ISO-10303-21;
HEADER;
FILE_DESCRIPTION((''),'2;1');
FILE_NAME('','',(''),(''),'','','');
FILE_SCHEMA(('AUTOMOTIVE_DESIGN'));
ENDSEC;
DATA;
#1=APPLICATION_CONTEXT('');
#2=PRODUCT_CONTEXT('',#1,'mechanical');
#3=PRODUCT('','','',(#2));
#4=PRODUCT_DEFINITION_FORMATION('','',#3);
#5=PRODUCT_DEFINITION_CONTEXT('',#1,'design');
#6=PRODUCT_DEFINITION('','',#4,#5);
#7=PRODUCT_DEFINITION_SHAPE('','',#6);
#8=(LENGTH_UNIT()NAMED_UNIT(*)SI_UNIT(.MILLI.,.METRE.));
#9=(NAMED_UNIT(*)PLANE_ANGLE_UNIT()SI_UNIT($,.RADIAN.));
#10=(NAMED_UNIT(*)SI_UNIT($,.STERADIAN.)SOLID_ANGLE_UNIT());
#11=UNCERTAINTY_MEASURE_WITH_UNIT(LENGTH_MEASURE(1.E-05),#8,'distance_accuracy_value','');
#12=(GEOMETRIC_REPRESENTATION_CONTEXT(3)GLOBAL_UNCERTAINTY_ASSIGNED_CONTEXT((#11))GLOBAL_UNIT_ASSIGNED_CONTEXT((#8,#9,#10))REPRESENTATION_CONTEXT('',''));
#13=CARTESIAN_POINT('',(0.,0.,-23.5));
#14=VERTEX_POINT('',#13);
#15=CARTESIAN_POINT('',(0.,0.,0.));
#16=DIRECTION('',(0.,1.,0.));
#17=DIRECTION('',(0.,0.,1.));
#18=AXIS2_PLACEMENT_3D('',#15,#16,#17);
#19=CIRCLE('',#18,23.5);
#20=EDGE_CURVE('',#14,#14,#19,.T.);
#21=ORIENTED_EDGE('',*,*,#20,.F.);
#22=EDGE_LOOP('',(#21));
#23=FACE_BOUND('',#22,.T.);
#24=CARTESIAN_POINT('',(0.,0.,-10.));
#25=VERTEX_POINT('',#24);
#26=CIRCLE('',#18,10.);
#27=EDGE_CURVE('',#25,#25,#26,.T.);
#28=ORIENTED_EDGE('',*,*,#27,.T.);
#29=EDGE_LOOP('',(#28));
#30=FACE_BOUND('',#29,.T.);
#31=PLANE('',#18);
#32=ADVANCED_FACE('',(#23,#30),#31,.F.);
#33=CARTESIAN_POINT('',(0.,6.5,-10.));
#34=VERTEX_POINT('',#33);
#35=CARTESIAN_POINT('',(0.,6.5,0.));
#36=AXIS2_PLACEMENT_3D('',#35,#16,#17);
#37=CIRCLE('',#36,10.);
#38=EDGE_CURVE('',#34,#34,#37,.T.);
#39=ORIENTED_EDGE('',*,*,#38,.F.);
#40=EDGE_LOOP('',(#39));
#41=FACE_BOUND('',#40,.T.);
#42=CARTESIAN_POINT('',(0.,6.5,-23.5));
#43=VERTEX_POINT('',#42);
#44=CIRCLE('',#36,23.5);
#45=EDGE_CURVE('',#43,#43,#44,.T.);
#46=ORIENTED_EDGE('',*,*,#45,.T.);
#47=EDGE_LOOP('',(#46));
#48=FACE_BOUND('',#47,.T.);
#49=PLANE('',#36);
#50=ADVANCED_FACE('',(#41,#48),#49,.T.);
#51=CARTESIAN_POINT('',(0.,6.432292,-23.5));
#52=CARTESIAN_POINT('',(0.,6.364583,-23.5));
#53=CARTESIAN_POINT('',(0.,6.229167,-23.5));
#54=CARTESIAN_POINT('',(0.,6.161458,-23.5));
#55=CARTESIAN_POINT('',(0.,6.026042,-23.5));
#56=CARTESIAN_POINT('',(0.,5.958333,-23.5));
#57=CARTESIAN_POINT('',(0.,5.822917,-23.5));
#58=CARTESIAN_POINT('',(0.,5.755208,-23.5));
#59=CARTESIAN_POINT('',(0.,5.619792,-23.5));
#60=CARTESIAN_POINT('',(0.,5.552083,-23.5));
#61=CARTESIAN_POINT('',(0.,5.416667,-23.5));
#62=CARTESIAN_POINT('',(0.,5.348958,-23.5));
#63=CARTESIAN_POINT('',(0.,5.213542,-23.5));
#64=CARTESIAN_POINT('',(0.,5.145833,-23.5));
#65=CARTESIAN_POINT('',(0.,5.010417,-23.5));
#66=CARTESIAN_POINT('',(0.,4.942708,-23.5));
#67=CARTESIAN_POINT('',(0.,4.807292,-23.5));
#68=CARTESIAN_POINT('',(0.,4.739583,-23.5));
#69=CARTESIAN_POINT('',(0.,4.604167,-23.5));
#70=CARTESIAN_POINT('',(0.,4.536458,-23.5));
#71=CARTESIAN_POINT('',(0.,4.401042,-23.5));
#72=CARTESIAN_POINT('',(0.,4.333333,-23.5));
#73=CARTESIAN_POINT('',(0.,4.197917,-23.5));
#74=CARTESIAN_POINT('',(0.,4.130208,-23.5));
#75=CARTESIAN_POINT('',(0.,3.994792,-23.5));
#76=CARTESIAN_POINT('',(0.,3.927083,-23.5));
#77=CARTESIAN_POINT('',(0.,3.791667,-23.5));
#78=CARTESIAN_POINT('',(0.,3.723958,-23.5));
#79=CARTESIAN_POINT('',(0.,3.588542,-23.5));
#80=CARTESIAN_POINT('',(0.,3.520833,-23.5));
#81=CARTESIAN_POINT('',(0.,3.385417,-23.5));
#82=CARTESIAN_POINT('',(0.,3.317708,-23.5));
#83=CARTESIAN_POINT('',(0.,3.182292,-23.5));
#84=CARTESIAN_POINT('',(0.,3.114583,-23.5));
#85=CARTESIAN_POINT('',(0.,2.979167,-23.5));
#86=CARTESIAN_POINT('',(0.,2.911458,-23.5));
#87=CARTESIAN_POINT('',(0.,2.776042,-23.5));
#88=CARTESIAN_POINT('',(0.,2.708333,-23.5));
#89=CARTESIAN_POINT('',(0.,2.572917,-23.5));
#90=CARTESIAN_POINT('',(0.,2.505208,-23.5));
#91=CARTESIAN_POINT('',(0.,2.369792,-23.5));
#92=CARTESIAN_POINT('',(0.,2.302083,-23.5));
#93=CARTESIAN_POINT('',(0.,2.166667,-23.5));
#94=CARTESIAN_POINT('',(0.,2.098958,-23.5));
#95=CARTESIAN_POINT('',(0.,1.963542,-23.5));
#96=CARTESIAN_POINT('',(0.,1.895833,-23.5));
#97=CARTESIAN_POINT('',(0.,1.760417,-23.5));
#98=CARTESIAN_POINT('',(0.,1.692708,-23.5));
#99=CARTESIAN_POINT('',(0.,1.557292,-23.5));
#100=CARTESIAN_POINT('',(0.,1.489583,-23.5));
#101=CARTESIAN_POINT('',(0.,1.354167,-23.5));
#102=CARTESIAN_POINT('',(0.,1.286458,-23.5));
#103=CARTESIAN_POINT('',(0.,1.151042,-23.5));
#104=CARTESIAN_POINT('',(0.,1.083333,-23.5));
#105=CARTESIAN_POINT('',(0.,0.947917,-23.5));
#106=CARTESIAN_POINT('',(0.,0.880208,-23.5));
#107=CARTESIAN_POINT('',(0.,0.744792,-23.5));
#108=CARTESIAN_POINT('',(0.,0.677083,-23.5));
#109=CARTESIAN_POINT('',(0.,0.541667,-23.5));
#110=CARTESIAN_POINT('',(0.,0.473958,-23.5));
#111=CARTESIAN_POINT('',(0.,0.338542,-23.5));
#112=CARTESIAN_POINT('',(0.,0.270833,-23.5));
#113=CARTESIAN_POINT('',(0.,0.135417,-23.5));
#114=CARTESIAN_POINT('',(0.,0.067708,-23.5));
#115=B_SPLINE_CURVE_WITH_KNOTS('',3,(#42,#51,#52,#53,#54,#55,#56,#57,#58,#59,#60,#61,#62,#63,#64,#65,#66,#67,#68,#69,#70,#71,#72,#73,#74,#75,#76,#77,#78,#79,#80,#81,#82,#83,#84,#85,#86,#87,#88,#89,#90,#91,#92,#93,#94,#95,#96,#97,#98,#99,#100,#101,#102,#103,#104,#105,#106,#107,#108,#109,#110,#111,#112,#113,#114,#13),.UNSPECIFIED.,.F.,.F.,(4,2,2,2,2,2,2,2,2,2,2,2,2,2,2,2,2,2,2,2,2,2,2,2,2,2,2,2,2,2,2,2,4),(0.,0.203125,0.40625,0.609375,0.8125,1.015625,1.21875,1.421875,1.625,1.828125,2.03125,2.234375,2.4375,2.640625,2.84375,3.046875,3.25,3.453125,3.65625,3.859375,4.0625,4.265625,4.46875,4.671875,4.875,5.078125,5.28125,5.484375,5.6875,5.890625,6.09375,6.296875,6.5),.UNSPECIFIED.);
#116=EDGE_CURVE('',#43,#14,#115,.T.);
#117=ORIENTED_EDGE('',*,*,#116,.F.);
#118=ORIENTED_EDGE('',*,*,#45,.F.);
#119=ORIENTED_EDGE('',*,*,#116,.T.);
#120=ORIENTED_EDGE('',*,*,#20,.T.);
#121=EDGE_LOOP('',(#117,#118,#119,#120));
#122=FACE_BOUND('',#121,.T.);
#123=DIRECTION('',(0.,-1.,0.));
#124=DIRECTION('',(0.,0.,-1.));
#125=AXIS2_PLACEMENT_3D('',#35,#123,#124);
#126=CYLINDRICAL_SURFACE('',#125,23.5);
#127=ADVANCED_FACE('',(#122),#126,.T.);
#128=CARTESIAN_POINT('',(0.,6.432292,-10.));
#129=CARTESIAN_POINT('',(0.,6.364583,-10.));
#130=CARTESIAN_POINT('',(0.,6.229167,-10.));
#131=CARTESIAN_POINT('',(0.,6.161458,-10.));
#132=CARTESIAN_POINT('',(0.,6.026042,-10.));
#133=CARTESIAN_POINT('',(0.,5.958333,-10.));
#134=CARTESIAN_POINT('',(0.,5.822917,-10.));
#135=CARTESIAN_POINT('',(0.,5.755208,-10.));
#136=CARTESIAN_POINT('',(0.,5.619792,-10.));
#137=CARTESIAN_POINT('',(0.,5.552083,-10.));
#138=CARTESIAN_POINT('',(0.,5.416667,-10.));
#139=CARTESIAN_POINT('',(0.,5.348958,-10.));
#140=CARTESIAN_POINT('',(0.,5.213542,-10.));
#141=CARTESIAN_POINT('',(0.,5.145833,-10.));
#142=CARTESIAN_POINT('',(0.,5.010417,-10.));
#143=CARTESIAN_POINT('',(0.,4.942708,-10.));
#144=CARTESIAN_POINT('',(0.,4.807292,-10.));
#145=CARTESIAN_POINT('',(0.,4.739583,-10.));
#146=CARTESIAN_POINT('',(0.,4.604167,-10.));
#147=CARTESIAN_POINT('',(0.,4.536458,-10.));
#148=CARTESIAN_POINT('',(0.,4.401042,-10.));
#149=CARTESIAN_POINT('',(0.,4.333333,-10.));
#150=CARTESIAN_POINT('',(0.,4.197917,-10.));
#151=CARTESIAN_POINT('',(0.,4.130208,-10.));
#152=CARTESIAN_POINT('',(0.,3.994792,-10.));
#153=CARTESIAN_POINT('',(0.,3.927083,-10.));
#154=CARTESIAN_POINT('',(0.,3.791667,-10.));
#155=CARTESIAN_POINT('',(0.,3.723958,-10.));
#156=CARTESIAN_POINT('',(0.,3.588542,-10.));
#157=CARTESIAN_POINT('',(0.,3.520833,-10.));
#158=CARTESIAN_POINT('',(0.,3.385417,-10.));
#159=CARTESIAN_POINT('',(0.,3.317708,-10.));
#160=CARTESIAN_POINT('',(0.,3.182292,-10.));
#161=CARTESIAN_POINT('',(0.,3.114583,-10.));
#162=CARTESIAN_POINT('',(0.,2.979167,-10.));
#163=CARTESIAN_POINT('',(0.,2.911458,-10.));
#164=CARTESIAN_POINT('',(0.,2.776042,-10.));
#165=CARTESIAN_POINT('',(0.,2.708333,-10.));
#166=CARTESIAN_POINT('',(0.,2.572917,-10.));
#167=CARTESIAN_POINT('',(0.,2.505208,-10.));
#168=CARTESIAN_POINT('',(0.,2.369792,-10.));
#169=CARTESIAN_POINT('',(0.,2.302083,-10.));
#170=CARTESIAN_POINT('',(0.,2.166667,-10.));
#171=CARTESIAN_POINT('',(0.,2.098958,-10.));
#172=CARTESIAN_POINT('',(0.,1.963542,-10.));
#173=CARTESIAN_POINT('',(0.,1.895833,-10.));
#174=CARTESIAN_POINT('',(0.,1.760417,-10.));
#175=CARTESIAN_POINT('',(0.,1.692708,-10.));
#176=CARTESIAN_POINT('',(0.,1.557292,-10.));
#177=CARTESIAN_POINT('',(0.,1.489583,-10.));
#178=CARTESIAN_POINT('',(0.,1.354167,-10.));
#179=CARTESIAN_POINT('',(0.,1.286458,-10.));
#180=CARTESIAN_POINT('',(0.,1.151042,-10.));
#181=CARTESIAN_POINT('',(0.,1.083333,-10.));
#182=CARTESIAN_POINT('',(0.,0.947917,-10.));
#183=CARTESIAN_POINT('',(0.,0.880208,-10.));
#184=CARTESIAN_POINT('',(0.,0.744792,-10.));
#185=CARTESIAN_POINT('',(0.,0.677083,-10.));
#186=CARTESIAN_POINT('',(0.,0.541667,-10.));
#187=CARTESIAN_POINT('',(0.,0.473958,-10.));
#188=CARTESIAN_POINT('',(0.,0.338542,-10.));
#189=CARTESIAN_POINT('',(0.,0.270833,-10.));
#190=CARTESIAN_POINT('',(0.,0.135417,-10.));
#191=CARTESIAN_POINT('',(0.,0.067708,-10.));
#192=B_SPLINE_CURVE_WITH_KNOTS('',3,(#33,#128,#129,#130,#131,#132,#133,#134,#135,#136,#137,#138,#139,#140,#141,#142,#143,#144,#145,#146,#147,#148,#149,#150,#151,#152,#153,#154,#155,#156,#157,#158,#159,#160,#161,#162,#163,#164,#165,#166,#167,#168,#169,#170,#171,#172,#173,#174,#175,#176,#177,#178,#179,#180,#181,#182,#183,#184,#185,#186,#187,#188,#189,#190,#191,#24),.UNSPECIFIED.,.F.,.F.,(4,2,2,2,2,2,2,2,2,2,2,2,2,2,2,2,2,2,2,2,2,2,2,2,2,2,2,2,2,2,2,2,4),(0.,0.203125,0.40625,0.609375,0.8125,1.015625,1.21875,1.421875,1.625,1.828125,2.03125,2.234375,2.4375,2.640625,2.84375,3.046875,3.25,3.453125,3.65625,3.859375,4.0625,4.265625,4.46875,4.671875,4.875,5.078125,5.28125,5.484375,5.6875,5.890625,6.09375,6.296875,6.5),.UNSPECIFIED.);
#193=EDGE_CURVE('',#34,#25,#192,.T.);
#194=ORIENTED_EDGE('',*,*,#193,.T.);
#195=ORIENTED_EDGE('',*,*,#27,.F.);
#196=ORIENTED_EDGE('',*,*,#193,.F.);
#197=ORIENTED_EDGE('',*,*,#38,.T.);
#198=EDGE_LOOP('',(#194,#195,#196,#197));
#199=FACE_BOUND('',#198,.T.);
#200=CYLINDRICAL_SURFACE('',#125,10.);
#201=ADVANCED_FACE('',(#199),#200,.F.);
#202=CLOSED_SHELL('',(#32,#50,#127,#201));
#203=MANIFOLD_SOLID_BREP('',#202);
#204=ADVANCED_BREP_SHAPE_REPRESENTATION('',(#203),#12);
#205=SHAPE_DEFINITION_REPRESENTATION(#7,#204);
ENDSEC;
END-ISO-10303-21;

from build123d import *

# Parameters (mm, degrees)
SKETCH_1_R      = 23.5
SKETCH_1_R_2    = 10
EXTRUDE_1_DEPTH = 6.5


with BuildPart() as part:
    # 草图1 → 凸台-拉伸1 (new body)
    with BuildSketch(Plane(origin=(0, 0, 0), x_dir=(1, 0, 0), z_dir=(0, 1, 0))):
        with Locations(Location((0, 0, 0), (0, 0, 90))):
            Circle(SKETCH_1_R)
        with Locations(Location((0, 0, 0), (0, 0, 90))):
            Circle(SKETCH_1_R_2, mode=Mode.SUBTRACT)
    extrude(amount=EXTRUDE_1_DEPTH)


solid = part.part
